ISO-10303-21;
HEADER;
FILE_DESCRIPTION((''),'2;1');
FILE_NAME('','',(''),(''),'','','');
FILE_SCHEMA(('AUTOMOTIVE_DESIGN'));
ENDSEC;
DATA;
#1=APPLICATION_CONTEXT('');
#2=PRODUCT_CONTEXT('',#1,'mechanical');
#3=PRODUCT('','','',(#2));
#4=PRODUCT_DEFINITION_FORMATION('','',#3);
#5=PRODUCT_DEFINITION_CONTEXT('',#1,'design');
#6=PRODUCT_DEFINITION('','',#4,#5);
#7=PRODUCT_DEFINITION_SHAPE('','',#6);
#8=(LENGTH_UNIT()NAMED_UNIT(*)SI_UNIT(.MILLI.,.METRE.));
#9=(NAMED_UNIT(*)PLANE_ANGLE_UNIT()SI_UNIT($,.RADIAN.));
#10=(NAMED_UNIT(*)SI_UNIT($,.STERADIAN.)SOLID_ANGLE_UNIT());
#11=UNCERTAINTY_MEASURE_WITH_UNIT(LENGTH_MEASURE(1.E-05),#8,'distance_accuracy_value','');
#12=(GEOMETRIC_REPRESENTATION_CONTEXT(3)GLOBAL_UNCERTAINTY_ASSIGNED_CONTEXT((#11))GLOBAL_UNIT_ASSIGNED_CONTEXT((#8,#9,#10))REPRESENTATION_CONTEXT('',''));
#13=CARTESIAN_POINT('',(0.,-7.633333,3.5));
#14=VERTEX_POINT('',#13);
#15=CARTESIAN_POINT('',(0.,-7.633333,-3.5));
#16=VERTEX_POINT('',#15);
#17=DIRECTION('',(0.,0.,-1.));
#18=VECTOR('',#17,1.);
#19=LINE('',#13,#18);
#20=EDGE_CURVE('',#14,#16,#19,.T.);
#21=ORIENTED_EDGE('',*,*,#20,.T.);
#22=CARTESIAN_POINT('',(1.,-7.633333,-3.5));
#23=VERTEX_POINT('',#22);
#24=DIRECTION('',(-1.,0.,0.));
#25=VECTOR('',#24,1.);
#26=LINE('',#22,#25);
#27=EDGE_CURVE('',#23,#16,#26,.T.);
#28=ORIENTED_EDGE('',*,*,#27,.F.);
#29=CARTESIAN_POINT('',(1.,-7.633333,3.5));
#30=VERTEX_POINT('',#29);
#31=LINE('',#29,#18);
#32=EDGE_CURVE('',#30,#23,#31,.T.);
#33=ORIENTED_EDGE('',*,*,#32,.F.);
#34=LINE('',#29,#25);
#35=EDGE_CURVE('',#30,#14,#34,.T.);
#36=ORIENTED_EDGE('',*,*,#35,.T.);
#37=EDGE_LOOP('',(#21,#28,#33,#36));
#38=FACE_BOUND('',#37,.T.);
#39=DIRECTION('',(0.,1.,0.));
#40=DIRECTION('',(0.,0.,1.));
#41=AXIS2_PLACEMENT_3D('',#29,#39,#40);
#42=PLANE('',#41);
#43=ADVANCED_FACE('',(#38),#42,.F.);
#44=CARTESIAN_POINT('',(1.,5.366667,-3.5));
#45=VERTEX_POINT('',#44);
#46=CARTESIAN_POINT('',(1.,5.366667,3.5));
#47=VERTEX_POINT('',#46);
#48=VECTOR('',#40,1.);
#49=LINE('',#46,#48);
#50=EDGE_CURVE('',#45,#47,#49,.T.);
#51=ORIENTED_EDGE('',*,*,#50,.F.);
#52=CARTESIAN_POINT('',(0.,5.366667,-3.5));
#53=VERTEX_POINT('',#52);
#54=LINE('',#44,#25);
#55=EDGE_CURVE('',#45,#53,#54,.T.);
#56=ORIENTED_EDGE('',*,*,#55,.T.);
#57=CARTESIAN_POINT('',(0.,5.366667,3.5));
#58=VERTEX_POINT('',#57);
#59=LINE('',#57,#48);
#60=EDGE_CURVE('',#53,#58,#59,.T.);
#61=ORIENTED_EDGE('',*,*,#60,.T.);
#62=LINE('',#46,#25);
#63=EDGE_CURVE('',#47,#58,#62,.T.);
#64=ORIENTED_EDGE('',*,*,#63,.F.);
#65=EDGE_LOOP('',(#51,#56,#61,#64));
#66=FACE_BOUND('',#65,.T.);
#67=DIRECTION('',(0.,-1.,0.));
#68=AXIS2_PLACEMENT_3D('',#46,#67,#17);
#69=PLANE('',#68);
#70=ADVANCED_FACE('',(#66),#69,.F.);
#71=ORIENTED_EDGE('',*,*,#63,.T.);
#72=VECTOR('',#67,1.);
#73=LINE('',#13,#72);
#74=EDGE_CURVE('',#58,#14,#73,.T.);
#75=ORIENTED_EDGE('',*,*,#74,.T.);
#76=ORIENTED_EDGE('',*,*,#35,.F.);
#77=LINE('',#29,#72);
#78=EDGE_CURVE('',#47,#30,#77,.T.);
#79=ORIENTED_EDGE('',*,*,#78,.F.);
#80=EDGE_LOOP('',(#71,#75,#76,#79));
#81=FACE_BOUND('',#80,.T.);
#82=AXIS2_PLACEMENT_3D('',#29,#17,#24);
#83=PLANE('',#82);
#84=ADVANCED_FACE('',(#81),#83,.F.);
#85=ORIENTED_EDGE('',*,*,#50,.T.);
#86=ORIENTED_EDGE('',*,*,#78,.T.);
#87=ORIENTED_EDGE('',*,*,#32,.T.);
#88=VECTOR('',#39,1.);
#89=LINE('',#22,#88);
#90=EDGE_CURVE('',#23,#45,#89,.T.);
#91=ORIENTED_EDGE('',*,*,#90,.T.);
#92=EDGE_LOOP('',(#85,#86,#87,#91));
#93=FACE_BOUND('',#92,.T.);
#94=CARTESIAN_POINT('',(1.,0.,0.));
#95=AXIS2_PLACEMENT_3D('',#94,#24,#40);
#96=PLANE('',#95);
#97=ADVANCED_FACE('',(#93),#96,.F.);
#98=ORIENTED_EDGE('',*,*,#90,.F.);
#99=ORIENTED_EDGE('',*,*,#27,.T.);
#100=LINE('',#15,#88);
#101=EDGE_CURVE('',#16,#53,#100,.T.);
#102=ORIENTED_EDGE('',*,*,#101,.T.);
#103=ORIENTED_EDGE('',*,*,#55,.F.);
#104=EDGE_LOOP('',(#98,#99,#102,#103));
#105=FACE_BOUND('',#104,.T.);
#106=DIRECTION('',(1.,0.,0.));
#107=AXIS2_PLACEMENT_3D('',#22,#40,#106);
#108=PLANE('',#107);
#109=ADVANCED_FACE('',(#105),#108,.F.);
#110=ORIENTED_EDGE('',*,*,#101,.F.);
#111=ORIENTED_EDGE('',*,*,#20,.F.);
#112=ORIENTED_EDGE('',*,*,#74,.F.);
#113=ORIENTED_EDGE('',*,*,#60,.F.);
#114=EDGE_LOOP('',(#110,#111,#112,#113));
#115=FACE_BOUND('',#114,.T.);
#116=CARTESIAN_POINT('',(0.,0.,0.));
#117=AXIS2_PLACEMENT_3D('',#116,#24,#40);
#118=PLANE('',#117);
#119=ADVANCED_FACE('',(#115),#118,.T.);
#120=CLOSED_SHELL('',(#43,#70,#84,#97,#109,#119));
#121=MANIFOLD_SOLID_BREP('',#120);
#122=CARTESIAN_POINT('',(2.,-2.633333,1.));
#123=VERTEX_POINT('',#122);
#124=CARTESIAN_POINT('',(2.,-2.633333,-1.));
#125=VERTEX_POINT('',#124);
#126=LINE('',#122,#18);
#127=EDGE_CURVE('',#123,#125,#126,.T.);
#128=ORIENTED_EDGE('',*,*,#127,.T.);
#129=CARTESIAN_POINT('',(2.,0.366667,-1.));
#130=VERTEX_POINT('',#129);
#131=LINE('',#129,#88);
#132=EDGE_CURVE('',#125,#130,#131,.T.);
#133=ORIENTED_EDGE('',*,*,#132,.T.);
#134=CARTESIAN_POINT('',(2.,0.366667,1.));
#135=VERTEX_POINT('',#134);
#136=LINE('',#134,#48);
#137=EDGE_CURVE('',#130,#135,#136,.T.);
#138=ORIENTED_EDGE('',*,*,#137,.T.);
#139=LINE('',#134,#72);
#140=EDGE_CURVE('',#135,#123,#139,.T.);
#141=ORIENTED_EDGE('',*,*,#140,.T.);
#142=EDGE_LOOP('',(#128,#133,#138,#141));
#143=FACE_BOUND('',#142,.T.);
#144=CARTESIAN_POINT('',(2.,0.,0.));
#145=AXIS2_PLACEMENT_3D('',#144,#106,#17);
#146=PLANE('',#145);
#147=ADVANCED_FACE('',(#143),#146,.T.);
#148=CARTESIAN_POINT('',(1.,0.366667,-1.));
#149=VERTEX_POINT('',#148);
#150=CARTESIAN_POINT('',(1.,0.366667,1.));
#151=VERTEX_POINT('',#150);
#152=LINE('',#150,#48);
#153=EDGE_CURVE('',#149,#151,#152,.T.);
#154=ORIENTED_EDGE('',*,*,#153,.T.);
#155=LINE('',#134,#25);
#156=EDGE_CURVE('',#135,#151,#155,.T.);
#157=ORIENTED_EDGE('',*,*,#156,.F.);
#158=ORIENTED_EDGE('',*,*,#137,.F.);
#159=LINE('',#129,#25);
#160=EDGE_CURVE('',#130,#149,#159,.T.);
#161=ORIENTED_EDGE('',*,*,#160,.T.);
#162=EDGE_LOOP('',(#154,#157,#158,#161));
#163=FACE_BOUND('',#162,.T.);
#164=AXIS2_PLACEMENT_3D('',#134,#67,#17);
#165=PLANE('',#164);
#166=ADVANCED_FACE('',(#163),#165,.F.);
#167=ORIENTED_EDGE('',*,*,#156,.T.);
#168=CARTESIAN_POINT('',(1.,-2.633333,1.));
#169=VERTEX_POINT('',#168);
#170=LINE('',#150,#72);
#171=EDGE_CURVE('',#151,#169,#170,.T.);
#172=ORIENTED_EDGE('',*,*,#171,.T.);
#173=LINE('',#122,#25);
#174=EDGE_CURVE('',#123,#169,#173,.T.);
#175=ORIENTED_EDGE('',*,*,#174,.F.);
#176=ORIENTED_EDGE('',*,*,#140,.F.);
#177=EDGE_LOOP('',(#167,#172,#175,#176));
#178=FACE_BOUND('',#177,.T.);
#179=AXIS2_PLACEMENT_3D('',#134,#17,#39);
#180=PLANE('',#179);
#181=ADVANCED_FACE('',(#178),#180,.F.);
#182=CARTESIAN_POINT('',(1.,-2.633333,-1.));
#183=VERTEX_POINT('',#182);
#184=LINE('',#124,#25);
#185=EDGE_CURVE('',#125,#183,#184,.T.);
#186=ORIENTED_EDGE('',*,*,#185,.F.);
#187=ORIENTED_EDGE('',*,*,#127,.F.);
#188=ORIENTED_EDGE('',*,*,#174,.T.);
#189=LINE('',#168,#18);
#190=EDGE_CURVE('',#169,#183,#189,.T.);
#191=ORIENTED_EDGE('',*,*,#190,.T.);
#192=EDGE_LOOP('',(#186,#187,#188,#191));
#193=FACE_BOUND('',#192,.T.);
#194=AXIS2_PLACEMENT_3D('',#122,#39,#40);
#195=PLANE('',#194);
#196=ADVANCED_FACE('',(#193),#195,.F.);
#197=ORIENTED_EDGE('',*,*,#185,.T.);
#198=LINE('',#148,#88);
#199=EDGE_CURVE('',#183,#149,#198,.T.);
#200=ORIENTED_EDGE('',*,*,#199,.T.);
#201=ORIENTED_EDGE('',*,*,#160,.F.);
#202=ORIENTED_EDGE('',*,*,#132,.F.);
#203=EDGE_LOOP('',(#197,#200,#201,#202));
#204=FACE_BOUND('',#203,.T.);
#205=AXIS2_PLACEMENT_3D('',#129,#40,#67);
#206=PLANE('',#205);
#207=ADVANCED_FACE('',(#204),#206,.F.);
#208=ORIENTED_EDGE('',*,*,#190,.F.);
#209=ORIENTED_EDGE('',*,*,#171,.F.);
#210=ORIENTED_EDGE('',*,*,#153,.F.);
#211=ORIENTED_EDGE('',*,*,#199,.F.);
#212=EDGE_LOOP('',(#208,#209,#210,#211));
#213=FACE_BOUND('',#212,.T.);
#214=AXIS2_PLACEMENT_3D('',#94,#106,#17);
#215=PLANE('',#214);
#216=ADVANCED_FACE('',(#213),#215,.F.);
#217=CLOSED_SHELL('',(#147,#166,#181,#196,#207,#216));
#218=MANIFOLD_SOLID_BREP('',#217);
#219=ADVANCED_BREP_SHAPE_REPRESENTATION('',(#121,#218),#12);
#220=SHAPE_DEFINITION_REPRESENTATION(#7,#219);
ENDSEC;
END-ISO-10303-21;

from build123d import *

# Parameters (mm, degrees)
CROQUIS1_W              = 7
CROQUIS1_H              = 13
SALIENTE_EXTRUIR1_DEPTH = 1
CROQUIS2_W              = 2
CROQUIS2_H              = 3
SALIENTE_EXTRUIR2_DEPTH = 1


with BuildPart() as part:
    # Croquis1 → Saliente-Extruir1 (new body)
    with BuildSketch(Plane(origin=(0, 0, 0), x_dir=(0, 0, -1), z_dir=(1, 0, 0))):
        with Locations((0, -1.133333333)):
            Rectangle(CROQUIS1_W, CROQUIS1_H)
    extrude(amount=SALIENTE_EXTRUIR1_DEPTH)


with BuildPart() as body_2:
    # Croquis2 → Saliente-Extruir2 (new body)
    with BuildSketch(Plane(origin=(1, 0, 0), x_dir=(0, 0, -1), z_dir=(1, 0, 0))):
        with Locations((0, -1.133333333)):
            Rectangle(CROQUIS2_W, CROQUIS2_H)
    extrude(amount=SALIENTE_EXTRUIR2_DEPTH)


solid = Compound([part.part, body_2.part])
